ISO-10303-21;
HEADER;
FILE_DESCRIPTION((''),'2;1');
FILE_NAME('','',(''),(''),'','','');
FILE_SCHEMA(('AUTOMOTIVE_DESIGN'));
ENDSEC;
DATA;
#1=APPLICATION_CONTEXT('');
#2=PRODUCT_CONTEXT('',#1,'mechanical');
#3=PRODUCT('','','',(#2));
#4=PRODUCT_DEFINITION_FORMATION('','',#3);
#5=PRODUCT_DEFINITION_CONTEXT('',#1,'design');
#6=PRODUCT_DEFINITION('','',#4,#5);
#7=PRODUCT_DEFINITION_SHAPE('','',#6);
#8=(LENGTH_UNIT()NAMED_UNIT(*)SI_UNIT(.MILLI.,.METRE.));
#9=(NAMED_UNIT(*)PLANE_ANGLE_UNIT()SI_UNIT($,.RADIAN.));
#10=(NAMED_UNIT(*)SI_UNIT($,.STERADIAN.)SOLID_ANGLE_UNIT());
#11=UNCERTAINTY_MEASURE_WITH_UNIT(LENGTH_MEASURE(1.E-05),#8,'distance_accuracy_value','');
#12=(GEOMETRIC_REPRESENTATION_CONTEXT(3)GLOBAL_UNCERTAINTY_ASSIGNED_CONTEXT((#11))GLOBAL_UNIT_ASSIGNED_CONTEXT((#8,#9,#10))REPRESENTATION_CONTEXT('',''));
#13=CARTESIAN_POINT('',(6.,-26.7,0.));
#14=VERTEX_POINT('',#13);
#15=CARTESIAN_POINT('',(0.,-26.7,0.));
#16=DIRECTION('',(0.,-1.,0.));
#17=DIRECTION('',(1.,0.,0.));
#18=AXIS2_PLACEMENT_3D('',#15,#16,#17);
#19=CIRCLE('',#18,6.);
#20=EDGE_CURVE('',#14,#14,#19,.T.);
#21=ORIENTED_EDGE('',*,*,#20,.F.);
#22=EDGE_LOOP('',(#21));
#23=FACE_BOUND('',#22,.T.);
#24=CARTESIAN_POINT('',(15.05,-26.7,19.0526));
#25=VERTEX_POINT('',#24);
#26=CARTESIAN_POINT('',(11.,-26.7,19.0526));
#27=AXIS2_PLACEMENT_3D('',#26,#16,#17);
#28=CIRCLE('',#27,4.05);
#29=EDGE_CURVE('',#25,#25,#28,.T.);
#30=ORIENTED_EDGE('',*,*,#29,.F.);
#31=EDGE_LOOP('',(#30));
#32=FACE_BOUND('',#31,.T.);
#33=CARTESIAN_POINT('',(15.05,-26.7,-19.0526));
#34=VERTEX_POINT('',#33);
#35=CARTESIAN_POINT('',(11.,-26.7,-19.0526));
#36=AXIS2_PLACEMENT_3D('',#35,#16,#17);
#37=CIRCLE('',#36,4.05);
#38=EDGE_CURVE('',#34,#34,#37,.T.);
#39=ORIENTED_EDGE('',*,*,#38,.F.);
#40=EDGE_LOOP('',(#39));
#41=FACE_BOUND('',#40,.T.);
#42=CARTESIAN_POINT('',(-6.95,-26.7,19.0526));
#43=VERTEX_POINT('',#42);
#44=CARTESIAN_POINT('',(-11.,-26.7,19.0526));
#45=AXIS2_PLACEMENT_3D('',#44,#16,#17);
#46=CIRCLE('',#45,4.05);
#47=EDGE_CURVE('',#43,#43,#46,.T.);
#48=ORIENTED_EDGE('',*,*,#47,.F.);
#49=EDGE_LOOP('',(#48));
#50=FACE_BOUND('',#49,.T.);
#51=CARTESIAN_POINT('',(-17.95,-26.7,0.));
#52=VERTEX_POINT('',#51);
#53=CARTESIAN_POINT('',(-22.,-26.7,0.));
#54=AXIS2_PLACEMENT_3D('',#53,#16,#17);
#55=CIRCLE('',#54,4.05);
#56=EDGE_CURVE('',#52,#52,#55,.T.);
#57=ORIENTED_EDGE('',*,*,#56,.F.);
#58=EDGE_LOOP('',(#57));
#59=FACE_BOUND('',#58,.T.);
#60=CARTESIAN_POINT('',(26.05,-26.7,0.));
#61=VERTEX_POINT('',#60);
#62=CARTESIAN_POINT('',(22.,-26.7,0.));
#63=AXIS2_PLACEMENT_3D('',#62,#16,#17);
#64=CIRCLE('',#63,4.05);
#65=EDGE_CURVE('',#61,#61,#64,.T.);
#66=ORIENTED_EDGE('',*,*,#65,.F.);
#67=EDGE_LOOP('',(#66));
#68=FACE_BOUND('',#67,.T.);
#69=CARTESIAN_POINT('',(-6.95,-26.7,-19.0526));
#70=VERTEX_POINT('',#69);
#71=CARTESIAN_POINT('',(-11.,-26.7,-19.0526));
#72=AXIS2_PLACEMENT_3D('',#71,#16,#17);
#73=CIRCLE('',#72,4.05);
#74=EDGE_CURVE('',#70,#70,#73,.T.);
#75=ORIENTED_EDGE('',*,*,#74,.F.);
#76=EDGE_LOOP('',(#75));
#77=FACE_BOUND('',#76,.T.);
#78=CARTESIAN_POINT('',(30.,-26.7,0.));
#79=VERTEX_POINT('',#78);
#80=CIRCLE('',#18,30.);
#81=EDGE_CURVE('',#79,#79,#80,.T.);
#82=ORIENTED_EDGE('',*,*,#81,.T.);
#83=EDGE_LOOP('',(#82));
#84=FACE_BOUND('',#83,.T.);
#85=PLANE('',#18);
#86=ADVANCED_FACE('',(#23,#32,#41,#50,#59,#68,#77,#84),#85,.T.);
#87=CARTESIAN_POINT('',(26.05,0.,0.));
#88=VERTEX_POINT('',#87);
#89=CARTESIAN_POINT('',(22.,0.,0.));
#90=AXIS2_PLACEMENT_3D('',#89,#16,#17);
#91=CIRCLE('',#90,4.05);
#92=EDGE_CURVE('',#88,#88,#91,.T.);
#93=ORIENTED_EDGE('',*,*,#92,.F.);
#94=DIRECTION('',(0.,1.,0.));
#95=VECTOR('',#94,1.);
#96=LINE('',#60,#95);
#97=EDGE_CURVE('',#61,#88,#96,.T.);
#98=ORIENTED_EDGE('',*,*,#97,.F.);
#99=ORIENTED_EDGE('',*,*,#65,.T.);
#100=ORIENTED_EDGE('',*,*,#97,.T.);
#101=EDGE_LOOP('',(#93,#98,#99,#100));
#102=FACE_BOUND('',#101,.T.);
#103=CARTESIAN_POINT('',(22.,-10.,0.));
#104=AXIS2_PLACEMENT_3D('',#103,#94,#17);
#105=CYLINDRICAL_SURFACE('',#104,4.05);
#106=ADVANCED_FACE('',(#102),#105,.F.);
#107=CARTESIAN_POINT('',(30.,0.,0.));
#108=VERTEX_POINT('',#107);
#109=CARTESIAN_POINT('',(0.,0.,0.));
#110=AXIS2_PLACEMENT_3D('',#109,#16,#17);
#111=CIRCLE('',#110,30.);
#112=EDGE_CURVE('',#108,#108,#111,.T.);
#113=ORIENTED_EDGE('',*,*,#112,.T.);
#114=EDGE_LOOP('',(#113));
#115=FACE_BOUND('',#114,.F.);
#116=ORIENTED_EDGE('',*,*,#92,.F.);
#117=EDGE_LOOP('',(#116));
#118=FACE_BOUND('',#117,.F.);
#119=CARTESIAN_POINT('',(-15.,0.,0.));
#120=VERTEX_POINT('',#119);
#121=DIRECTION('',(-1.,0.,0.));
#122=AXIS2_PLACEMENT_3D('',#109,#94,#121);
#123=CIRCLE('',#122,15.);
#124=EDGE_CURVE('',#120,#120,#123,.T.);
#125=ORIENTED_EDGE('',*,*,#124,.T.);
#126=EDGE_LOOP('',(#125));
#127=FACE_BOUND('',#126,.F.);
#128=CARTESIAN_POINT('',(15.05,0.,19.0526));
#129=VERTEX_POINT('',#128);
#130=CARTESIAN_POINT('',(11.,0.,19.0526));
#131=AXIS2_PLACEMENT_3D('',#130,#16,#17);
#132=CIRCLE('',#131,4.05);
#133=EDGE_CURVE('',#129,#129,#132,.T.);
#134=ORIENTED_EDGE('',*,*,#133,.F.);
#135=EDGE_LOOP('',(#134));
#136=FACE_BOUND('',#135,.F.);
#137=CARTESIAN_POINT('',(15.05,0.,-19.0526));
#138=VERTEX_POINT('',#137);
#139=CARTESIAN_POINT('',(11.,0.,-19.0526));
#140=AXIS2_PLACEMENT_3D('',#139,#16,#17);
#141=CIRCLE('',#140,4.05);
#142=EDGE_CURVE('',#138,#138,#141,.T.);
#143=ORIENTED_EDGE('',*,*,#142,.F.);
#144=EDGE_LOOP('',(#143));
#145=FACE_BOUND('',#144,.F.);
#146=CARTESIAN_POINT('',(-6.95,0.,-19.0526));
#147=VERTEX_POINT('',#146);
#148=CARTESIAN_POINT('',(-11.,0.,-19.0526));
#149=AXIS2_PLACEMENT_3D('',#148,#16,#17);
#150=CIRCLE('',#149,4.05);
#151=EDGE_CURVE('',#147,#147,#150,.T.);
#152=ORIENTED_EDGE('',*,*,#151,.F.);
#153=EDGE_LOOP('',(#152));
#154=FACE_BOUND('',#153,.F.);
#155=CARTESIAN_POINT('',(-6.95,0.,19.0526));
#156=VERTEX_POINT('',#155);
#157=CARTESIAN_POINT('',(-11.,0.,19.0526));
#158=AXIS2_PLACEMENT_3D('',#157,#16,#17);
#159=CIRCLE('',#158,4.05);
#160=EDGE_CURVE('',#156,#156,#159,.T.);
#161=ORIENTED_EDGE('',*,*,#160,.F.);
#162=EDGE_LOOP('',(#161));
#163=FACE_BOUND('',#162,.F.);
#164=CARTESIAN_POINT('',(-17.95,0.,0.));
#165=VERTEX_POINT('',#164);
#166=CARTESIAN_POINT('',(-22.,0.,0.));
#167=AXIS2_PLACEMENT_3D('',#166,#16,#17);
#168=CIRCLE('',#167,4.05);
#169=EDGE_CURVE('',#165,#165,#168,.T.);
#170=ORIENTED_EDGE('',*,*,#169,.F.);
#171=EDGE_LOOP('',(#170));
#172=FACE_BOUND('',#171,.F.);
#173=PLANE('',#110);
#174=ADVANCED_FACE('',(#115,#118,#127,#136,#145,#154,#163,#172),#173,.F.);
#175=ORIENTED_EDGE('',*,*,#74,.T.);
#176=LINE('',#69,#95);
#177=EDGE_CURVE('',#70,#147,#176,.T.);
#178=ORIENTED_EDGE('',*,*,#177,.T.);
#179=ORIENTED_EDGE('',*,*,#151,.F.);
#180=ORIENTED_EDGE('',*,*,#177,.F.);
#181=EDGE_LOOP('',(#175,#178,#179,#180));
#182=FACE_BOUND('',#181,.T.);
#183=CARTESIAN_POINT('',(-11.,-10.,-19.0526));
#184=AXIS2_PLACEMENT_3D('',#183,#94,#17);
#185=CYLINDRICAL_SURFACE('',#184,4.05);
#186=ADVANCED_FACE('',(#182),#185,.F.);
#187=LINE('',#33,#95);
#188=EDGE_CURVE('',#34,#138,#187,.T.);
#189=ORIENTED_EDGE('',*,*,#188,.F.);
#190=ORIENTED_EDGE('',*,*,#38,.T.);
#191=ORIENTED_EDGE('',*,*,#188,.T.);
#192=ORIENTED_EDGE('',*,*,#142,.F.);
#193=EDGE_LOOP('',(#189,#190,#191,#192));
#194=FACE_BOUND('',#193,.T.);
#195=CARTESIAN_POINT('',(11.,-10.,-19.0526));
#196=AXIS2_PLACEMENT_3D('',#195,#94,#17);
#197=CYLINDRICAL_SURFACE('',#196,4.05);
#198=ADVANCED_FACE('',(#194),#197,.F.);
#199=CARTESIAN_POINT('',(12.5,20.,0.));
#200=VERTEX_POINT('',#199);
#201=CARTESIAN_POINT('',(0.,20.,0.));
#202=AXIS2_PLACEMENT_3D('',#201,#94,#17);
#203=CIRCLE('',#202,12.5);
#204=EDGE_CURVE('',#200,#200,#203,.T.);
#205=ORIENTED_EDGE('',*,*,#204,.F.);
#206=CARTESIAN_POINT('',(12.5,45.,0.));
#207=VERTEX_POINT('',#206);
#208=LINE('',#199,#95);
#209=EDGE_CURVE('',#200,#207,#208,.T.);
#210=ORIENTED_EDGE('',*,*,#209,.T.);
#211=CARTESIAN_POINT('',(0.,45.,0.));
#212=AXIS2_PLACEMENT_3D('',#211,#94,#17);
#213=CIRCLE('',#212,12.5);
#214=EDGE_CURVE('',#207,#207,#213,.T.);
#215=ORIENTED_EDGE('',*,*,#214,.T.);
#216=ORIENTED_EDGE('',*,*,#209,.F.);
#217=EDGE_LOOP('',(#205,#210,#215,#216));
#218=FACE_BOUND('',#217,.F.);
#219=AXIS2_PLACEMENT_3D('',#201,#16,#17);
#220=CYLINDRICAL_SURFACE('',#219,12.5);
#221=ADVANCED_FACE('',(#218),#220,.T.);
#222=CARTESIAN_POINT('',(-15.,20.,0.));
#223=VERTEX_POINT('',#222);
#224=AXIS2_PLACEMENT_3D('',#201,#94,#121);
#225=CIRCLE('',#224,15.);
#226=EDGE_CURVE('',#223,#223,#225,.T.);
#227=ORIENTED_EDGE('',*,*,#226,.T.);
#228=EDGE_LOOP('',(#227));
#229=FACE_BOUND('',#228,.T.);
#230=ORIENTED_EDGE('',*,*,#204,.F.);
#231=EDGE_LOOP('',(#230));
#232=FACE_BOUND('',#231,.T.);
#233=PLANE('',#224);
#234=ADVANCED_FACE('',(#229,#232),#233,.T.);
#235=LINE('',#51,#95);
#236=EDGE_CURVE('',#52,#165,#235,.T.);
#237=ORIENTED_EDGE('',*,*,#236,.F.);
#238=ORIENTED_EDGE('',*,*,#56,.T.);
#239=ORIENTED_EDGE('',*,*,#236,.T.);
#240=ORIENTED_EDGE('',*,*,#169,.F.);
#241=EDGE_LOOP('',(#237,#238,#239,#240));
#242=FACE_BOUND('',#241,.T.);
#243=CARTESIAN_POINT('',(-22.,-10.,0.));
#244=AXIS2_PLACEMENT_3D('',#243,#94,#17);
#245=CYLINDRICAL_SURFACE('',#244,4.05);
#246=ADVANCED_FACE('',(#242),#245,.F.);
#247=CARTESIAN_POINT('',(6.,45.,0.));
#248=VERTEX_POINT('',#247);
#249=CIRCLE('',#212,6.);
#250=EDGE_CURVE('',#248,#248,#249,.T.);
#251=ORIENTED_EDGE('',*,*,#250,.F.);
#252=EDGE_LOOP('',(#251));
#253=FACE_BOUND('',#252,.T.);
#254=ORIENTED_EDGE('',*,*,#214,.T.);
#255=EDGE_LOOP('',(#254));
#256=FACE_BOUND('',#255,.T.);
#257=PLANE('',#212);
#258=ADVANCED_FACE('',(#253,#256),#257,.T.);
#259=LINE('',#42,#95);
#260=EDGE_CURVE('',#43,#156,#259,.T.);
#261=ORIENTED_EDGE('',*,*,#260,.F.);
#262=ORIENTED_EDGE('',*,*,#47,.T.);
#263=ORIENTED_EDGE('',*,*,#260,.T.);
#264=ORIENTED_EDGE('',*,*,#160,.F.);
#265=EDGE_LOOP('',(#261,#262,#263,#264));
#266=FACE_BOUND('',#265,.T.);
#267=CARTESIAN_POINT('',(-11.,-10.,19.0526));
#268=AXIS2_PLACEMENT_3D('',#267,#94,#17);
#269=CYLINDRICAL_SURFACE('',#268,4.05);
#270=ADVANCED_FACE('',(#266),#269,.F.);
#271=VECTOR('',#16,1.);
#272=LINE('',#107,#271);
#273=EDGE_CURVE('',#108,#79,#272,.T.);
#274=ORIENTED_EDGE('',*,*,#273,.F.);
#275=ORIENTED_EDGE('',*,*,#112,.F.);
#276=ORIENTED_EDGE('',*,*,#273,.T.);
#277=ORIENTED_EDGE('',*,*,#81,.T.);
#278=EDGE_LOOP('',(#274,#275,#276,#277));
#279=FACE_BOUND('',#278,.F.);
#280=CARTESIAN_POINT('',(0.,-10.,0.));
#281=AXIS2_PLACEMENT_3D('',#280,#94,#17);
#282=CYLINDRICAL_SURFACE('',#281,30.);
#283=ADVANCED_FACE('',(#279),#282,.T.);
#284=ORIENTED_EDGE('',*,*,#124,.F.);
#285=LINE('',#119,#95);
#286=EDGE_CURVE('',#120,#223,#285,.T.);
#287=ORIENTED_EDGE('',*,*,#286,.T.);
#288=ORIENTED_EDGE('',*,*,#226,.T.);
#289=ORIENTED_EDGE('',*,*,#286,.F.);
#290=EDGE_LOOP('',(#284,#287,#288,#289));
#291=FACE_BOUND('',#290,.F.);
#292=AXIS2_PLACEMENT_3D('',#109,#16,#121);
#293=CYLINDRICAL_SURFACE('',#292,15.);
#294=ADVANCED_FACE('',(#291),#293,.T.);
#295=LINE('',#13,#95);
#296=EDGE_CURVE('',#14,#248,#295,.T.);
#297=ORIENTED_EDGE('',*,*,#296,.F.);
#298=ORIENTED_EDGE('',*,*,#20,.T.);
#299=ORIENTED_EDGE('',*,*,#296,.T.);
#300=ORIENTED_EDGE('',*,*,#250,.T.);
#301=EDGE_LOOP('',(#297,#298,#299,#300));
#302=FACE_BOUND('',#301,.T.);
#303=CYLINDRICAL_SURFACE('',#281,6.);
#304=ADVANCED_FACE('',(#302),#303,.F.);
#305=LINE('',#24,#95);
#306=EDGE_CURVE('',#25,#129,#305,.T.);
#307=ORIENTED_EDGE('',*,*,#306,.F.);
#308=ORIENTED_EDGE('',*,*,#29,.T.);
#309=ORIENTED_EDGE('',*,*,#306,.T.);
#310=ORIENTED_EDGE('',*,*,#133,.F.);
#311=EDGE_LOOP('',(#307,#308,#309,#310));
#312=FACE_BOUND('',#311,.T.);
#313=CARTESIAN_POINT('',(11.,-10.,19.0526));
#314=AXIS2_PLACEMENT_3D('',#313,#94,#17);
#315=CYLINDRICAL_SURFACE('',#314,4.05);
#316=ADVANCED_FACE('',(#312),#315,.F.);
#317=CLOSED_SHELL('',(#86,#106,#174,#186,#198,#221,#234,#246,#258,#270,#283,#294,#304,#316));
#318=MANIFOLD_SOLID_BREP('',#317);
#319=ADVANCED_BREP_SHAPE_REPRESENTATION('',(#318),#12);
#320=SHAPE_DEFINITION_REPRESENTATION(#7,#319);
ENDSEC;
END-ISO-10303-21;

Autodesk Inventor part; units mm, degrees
ref_plane "YZ Plane" through (0, 0, 0) normal (1, 0, 0) x (0, 1, 0)
ref_plane "XZ Plane" through (0, 0, 0) normal (0, 1, 0) x (-1, 0, 0)
ref_plane "XY Plane" through (0, 0, 0) normal (0, 0, 1) x (1, 0, 0)
sketch "Sketch1" plane through (0, 0, 0) normal (0, 1, 0) x (-1, 0, 0)
  circle A0 centre (0, 0) radius 15
  dimension "d0" = 30
extrude "Extrusion1" add sketch "Sketch1" along normal blind 20
sketch "Sketch2" plane through (0, 20, 0) normal (0, 1, 0) x (1, 0, 0)
  circle A0 centre (0, 0) radius 12.5
  dimension "d3" = 25
extrude "Extrusion2" add sketch "Sketch2" along normal blind 25
sketch "Sketch3" plane through (0, 45, 0) normal (0, 1, 0) x (1, 0, 0)
  circle A0 centre (0, 0) radius 6
extrude "Extrusion3" cut sketch "Sketch3" against normal blind 100
sketch "Sketch4" plane through (0, 0, 0) normal (0, -1, 0) x (1, 0, 0)
  circle A0 centre (0, 0) radius 6
  circle A1 centre (0, 0) radius 30
  circle A2 centre (22, 0) radius 4.05
  circle A3 centre (11, 19.0526) radius 4.05
  circle A4 centre (-11, 19.0526) radius 4.05
  circle A5 centre (-22, 0) radius 4.05
  circle A6 centre (-11, -19.0526) radius 4.05
  circle A7 centre (11, -19.0526) radius 4.05
  dimension "d8" = 60
  dimension "d11" = 12
  dimension "d12" = 22
  dimension "d13" = 8.1
  dimension "d16" = 360
extrude "Extrusion4" add sketch "Sketch4" along normal blind 10
sketch "Sketch5" plane through (0, -10, 0) normal (0, -1, 0) x (1, 0, 0)
  circle A0 centre (0, 0) radius 30 projected
  circle A1 centre (11, -19.0526) radius 4.05 projected
  circle A2 centre (-11, -19.0526) radius 4.05 projected
  circle A3 centre (-22, 0) radius 4.05 projected
  circle A4 centre (-11, 19.0526) radius 4.05 projected
  circle A5 centre (11, 19.0526) radius 4.05 projected
  circle A6 centre (22, 0) radius 4.05 projected
  circle A7 centre (0, 0) radius 6 projected
extrude "Extrusion5" add sketch "Sketch5" along normal blind 16.7
properties part number "MiniPodsipnikNatag"
